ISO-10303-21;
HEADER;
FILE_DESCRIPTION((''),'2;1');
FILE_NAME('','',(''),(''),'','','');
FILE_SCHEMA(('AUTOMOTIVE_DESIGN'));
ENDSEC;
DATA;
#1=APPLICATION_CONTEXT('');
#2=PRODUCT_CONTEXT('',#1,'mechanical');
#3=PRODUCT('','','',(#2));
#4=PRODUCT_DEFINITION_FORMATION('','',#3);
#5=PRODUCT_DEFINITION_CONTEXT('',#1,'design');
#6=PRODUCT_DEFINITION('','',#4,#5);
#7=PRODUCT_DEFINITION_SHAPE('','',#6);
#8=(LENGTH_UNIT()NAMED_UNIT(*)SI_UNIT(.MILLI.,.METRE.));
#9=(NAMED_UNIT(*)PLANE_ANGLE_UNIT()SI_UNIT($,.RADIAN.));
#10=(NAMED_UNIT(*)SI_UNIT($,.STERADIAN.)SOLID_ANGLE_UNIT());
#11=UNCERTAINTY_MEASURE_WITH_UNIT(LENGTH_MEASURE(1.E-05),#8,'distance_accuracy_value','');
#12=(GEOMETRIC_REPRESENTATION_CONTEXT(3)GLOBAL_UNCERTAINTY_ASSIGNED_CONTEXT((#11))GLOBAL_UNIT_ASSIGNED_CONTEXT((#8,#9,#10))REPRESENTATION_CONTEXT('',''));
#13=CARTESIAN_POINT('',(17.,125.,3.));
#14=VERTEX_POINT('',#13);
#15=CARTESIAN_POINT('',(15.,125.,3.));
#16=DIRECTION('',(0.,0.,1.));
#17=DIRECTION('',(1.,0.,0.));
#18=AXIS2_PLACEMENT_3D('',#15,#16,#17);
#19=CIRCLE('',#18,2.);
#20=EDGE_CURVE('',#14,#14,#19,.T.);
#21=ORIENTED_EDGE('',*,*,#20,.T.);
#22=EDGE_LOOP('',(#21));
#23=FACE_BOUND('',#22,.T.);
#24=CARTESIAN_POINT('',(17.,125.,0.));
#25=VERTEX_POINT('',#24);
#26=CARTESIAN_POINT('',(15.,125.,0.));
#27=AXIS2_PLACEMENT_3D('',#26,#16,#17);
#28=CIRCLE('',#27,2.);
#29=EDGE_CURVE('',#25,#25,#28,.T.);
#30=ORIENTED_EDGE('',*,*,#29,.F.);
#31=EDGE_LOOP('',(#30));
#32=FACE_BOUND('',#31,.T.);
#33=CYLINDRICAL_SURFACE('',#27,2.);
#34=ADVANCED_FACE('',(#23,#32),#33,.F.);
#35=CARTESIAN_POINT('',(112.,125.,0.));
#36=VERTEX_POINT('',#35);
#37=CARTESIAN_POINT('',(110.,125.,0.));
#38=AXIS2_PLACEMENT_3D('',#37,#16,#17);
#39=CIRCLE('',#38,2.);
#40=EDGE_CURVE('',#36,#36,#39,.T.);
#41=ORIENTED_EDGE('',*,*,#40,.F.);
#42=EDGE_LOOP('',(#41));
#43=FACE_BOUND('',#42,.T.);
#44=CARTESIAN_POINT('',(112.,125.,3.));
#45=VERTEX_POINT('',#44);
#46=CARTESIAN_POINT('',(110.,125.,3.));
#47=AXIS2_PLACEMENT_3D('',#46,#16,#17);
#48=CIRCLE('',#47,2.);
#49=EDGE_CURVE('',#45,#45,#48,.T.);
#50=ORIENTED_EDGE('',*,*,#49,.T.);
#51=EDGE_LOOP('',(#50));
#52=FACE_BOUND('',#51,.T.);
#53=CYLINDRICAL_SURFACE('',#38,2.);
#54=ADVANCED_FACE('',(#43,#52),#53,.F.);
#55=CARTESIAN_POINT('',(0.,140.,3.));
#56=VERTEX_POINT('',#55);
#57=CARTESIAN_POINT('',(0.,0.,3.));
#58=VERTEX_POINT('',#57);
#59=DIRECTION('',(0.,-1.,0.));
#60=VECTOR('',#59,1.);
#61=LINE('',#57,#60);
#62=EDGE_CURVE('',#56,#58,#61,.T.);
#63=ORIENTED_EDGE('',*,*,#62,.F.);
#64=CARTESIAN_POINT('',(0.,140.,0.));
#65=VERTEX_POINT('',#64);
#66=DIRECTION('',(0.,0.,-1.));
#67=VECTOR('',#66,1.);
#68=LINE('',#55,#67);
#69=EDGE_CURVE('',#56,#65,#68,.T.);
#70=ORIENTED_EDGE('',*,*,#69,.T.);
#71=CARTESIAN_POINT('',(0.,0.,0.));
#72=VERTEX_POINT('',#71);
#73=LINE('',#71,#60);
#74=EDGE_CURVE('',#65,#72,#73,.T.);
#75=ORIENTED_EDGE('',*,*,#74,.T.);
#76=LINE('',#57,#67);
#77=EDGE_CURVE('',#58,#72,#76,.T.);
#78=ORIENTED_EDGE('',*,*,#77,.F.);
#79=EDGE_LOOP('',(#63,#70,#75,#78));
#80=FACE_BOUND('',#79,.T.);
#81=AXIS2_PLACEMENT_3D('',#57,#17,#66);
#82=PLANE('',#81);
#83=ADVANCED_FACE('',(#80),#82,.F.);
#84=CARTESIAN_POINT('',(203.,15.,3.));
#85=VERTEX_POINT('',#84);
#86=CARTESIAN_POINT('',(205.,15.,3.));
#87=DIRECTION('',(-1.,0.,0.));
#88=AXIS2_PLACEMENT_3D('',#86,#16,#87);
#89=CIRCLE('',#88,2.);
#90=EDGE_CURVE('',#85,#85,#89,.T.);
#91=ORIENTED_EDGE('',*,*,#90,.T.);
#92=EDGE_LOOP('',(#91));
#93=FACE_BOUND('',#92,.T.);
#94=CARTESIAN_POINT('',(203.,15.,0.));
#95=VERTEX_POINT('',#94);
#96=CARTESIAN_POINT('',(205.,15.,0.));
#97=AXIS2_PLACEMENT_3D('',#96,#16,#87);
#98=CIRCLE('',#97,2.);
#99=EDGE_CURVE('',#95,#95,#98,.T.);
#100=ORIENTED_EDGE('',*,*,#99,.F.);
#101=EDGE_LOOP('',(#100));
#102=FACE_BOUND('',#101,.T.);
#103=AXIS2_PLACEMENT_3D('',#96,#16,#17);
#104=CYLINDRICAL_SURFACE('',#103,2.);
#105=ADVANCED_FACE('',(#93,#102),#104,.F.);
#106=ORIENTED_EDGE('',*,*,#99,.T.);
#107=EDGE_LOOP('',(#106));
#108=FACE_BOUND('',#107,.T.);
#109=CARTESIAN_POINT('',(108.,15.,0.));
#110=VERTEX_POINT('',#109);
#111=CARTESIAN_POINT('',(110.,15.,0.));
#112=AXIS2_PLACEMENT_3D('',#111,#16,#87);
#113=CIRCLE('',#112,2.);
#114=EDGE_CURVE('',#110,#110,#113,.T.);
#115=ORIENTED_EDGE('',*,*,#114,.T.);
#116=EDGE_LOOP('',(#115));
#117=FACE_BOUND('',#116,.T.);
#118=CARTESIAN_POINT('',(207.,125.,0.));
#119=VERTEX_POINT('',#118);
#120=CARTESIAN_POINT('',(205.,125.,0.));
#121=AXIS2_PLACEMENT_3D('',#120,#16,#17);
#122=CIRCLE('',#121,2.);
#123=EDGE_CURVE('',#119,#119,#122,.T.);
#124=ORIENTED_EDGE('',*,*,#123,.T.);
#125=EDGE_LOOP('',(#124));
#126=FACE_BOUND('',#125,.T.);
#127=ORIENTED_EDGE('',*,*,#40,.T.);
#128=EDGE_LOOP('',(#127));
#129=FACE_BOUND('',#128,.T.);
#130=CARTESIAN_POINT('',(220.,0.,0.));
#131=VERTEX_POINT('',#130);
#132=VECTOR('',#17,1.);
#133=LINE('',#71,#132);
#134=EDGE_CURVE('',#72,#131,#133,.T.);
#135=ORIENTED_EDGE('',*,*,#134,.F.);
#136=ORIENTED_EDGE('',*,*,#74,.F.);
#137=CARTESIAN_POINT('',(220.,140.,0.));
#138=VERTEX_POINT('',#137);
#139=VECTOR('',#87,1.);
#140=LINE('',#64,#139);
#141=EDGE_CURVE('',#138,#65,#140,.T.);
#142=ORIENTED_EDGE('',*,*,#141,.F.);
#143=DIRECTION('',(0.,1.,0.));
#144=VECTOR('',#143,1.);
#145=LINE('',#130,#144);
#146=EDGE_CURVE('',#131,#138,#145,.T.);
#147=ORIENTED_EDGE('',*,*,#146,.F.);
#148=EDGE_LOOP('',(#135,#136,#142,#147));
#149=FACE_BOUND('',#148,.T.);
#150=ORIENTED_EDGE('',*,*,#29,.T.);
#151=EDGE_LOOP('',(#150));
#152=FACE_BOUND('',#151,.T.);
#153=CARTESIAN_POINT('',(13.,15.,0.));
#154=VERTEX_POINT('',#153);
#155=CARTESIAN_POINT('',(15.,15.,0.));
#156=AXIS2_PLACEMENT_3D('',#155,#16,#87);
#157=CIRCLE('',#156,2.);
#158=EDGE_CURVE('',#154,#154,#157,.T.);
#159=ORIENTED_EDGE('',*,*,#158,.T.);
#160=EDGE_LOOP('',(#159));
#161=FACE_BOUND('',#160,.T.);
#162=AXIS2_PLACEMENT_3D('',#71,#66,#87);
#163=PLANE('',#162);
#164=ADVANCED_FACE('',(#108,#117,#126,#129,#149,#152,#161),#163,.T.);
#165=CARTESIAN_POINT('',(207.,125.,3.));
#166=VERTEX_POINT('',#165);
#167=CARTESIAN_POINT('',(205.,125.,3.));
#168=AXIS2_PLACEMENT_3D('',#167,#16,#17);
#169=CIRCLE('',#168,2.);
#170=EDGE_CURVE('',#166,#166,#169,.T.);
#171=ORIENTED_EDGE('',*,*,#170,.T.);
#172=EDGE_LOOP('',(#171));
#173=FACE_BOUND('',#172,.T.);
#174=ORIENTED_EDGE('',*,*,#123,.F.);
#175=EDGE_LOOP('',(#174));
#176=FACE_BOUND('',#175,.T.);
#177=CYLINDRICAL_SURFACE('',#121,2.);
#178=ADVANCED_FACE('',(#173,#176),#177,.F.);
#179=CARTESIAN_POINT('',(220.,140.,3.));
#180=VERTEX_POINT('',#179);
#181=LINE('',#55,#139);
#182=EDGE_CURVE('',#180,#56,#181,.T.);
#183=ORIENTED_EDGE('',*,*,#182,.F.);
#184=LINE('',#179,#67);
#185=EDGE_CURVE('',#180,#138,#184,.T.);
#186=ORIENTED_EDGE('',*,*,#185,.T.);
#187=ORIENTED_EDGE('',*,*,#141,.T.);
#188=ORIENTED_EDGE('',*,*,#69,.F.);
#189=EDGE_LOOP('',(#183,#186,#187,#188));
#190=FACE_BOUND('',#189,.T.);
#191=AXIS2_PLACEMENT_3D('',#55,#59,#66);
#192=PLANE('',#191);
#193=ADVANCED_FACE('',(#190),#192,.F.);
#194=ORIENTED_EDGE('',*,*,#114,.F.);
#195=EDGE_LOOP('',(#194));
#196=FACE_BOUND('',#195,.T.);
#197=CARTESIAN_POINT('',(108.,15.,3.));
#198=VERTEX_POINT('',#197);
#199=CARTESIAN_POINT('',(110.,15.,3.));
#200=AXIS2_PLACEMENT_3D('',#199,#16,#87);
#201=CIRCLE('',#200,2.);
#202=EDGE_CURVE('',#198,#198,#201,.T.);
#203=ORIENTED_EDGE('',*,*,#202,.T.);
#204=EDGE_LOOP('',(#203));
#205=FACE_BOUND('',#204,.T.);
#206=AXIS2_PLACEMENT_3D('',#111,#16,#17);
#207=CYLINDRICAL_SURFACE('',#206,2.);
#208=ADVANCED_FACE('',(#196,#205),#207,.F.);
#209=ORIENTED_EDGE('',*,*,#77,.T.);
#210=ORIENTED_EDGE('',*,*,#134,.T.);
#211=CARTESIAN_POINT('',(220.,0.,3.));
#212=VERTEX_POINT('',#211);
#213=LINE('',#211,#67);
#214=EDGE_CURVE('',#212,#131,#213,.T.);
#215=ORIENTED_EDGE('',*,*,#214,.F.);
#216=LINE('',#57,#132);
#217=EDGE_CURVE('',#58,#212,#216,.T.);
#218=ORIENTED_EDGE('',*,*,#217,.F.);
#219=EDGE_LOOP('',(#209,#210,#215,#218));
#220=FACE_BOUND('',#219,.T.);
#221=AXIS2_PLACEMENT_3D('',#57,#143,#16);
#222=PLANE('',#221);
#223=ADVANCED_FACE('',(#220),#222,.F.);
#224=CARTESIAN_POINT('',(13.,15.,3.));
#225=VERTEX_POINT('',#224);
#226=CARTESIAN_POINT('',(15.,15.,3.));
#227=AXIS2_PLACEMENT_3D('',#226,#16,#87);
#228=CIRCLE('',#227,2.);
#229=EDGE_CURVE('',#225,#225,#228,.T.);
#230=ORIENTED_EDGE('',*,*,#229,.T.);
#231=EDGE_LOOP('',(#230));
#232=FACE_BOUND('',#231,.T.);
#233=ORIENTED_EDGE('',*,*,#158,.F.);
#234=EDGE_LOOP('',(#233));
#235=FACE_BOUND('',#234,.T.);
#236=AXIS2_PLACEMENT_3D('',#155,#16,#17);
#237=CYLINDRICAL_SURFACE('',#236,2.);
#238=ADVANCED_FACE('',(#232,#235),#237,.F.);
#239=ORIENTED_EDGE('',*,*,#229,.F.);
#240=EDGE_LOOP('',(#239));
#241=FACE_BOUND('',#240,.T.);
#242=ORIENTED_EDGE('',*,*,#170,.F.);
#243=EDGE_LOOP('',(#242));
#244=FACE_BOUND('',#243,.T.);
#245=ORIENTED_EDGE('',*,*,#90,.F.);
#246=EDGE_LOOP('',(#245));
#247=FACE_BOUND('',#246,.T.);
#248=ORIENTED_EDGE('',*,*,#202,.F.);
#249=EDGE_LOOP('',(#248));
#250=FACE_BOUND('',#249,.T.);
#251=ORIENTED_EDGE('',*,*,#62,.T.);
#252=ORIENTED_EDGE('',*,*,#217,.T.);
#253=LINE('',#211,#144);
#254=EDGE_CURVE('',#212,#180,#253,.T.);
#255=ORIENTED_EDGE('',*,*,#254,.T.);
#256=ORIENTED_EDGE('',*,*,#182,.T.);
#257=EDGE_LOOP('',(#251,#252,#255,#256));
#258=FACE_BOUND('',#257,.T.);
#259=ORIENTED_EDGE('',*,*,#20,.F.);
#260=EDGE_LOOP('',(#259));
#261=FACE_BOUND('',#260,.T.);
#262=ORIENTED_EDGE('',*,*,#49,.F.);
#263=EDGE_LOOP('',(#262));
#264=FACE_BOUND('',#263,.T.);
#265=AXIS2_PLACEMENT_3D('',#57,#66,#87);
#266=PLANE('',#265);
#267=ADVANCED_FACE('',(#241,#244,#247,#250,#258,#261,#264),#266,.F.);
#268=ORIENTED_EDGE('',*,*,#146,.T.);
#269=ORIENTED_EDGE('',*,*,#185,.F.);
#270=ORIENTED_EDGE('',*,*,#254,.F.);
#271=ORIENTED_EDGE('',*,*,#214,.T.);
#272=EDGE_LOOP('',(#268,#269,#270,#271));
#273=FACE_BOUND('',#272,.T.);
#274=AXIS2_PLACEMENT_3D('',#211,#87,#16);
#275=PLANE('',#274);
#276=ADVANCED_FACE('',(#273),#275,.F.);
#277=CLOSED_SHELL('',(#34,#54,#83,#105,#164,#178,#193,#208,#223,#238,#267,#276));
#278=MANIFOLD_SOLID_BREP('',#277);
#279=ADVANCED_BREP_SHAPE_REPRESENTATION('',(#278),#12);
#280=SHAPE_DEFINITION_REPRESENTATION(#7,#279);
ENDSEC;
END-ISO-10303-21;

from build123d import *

# Parameters (mm, degrees)
IZIM1_W                     = 220
IZIM1_H                     = 140
Y_KSEKLIK_EKSTR_ZYON1_DEPTH = 3
IZIM2_R                     = 2
KES_EKSTR_ZYON1_DEPTH       = 3


with BuildPart() as part:
    # Çizim1 → Yükseklik-Ekstrüzyon1 (new body)
    with BuildSketch(Plane.XY):
        with Locations((110, 70)):
            Rectangle(IZIM1_W, IZIM1_H)
    extrude(amount=Y_KSEKLIK_EKSTR_ZYON1_DEPTH)

    # Çizim2 → Kes-Ekstrüzyon1 (cut)
    with BuildSketch(Plane.XY.offset(3)):
        with Locations((15, 125)):
            Circle(IZIM2_R)
        with Locations((205, 125)):
            Circle(IZIM2_R)
        with Locations((110, 125)):
            Circle(IZIM2_R)
        with Locations(Location((205, 15, 0), (0, 0, 180))):
            Circle(IZIM2_R)
        with Locations(Location((110, 15, 0), (0, 0, 180))):
            Circle(IZIM2_R)
        with Locations(Location((15, 15, 0), (0, 0, 180))):
            Circle(IZIM2_R)
    extrude(amount=-KES_EKSTR_ZYON1_DEPTH, mode=Mode.SUBTRACT)


solid = part.part
